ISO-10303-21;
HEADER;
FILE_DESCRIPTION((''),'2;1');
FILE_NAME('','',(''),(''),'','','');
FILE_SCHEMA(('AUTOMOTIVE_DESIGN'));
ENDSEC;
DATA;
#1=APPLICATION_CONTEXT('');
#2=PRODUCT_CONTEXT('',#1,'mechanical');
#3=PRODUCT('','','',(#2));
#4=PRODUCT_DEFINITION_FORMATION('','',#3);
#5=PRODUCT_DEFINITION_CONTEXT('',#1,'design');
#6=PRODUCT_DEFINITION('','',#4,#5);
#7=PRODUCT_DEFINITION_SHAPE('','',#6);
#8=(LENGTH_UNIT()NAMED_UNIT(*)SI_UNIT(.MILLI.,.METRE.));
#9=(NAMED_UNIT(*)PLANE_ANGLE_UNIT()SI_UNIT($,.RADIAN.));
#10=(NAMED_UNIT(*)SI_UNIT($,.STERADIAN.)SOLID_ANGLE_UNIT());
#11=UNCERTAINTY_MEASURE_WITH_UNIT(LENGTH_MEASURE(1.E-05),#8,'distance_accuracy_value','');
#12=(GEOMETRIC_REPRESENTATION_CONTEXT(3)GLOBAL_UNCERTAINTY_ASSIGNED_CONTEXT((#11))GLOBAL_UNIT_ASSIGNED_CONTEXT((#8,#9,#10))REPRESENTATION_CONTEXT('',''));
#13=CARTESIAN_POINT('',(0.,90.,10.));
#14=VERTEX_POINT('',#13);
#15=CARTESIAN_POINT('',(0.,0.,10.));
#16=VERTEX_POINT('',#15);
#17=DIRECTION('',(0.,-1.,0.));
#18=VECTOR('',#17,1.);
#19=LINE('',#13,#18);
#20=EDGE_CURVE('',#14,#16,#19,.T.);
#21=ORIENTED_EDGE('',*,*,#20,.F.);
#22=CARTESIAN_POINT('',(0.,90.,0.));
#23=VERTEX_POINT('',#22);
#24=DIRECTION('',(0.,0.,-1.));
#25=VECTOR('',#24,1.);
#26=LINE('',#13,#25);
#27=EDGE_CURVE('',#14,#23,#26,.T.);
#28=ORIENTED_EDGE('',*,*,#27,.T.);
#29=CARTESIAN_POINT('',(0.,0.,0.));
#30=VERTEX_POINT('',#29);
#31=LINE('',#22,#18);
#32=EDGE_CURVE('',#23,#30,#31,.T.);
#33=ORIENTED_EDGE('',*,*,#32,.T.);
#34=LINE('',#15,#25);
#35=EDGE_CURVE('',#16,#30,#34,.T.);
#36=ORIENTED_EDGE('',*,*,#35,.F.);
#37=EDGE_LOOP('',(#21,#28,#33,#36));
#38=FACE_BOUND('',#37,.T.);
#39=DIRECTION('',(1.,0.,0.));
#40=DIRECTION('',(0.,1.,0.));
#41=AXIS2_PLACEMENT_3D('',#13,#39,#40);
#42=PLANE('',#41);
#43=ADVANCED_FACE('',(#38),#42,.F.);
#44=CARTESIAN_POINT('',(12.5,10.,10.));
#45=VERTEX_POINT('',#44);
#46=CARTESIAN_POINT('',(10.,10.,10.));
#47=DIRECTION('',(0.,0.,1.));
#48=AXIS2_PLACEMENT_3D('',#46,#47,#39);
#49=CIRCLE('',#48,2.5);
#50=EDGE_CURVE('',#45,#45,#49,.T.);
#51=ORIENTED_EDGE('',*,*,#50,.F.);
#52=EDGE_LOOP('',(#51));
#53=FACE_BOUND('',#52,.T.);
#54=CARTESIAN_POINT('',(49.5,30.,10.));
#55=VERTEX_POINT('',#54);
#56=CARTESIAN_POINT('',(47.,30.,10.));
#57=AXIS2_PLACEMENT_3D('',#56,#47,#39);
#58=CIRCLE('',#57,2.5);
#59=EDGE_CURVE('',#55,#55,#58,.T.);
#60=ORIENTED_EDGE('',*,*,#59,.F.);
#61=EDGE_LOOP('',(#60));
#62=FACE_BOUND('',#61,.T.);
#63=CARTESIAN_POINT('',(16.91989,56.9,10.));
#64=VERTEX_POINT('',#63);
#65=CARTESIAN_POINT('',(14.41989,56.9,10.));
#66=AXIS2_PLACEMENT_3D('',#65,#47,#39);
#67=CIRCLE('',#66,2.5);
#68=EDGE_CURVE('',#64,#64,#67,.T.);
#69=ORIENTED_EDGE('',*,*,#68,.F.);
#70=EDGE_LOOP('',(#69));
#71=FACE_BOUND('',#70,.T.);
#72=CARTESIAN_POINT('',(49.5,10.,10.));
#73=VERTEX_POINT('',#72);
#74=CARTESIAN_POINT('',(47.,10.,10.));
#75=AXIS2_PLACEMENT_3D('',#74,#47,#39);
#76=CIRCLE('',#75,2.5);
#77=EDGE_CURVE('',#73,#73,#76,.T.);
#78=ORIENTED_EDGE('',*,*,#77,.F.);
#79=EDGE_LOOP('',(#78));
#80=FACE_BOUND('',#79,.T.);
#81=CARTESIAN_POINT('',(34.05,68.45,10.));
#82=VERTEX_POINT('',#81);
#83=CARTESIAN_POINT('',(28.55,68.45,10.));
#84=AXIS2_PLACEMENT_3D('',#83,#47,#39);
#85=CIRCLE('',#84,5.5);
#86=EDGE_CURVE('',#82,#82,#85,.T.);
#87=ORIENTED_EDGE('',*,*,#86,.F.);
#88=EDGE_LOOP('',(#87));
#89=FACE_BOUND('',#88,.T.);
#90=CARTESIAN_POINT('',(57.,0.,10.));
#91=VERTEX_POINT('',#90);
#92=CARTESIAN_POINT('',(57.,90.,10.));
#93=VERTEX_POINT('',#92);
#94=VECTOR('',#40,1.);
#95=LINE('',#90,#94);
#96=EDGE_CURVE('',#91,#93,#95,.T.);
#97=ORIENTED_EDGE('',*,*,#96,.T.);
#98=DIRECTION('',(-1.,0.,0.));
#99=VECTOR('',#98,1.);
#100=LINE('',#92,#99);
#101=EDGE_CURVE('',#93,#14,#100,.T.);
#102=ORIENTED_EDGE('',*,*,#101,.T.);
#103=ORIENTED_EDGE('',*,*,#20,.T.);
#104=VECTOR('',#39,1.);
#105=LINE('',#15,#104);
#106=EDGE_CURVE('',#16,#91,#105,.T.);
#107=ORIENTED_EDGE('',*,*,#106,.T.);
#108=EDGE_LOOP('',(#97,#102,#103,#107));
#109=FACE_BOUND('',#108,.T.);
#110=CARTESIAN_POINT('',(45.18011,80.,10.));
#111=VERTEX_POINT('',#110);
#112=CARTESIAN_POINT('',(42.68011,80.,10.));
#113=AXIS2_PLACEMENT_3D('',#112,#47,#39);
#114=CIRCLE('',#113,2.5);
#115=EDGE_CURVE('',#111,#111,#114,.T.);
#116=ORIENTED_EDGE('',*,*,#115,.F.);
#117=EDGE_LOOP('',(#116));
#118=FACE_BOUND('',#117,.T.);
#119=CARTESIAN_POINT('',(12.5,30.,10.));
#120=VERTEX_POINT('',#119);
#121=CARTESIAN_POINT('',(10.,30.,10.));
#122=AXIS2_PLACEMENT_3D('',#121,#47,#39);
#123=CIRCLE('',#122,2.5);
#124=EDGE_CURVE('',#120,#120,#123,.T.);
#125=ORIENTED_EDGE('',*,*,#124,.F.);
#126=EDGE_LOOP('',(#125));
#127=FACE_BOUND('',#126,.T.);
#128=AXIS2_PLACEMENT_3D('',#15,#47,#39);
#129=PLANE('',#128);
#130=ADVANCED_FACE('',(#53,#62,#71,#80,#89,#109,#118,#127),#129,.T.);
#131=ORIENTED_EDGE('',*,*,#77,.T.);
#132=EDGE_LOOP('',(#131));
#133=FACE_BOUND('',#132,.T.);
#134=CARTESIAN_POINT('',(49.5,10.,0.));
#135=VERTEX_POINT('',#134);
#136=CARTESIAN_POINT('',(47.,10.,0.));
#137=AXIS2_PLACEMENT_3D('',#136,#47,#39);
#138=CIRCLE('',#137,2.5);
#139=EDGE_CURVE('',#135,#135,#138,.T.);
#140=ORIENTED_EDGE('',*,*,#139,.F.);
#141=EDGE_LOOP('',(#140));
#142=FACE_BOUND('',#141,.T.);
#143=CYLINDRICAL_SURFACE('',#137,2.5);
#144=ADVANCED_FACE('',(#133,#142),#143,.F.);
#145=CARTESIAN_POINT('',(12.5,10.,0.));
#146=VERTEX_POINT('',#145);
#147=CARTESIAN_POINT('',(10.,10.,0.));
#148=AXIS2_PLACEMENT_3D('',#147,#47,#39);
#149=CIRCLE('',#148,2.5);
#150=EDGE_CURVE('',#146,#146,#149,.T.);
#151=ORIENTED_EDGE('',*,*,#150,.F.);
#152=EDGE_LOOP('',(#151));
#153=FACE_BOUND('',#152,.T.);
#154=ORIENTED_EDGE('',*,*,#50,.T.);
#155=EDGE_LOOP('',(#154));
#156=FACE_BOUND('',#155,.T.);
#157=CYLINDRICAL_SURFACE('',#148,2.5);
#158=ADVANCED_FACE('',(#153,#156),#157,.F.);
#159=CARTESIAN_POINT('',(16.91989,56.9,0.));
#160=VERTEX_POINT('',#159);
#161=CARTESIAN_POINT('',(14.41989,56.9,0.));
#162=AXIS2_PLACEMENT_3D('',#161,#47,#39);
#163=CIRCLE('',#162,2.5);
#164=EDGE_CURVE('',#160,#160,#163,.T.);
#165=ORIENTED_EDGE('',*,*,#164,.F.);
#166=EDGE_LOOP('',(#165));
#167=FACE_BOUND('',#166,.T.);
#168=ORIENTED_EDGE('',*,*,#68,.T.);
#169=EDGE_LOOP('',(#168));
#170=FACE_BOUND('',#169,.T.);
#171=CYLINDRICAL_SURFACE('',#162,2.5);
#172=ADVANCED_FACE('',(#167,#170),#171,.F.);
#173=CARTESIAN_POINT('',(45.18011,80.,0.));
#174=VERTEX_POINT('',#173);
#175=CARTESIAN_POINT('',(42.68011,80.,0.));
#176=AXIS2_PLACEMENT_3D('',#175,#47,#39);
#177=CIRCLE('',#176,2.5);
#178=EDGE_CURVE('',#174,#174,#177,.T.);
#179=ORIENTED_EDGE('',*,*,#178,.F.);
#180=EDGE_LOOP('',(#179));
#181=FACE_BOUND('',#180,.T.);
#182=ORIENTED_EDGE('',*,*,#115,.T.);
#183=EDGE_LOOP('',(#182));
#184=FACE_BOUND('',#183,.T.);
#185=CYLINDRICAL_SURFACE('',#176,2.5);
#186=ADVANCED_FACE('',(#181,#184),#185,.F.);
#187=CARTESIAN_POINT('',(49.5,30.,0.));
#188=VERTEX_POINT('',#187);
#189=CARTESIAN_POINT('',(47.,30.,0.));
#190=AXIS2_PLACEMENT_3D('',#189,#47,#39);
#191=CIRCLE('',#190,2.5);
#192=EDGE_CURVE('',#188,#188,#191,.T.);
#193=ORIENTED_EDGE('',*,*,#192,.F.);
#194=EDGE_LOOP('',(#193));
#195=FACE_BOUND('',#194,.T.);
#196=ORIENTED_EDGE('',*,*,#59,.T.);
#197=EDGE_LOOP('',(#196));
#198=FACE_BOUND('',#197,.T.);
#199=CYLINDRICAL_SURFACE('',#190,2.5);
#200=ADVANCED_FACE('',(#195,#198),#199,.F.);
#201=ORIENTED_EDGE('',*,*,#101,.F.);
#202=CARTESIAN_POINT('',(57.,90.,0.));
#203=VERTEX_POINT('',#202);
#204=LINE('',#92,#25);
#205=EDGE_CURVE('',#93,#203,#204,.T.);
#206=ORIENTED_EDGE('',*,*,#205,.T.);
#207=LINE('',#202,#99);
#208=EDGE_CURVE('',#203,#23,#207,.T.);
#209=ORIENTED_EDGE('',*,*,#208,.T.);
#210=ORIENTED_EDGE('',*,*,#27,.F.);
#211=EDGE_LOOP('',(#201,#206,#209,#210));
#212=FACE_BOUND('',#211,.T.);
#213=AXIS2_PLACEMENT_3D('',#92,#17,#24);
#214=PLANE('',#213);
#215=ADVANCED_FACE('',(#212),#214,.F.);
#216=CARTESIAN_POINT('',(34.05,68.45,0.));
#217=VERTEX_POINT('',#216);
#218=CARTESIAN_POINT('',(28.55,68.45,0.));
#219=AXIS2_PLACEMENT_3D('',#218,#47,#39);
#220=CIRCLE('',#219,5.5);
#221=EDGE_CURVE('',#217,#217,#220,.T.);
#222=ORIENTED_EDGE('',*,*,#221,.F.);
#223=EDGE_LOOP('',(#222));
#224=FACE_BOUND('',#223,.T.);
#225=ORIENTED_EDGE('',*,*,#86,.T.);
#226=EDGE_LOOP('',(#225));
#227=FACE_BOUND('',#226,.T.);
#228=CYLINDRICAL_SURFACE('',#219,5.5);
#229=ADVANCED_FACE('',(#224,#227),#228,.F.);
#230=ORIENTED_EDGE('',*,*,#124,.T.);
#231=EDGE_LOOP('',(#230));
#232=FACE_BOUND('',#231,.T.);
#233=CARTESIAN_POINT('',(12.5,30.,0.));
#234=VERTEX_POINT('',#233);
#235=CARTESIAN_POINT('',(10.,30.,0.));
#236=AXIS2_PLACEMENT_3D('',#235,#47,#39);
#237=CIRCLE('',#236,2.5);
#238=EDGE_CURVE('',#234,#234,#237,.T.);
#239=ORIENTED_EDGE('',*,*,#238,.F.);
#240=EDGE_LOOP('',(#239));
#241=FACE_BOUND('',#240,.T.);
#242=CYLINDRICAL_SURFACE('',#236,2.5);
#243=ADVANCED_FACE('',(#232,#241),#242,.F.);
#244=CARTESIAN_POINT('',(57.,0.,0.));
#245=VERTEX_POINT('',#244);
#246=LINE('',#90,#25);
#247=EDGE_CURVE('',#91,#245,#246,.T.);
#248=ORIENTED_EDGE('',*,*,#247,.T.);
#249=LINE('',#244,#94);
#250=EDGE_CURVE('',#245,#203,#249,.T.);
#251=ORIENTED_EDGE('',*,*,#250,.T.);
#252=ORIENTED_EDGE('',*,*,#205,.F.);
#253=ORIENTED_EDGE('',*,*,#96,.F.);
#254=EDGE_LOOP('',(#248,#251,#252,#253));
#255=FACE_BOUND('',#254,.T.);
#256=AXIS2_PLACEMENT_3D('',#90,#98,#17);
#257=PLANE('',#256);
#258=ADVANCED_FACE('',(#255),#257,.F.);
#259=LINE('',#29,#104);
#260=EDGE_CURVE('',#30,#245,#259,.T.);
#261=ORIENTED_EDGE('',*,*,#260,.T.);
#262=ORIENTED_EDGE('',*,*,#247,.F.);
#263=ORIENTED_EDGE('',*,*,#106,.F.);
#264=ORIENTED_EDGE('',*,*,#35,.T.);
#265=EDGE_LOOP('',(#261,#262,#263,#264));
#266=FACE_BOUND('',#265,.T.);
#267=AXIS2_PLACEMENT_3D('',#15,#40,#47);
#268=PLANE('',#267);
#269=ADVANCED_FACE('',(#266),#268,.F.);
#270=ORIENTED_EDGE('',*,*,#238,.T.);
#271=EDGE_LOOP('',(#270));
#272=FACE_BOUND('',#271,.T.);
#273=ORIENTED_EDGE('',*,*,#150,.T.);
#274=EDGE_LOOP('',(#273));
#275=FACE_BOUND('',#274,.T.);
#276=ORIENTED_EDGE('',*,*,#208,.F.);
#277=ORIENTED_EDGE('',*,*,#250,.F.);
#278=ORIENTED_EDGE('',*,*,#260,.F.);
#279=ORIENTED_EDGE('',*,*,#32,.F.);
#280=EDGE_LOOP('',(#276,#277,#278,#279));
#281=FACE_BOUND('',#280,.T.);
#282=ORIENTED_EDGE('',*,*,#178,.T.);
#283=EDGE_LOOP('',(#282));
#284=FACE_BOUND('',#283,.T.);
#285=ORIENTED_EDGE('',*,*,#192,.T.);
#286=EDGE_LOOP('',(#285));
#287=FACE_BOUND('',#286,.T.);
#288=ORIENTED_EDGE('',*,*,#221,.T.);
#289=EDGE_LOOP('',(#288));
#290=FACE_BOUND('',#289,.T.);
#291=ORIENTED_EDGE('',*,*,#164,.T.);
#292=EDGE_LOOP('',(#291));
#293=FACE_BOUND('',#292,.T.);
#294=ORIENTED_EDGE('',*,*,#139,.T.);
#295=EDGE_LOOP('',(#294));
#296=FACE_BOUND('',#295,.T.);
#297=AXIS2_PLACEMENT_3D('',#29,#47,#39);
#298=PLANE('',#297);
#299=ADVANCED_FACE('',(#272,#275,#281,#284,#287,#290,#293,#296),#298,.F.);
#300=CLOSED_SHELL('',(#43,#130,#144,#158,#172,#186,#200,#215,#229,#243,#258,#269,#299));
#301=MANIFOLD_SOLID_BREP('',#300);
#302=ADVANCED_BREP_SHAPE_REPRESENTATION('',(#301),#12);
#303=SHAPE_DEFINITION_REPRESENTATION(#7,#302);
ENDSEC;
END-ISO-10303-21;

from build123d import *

# Parameters (mm, degrees)
SKETCH1_W           = 57
SKETCH1_H           = 90
BOSS_EXTRUDE1_DEPTH = 10
SKETCH2_R           = 2.5
SKETCH2_R_2         = 5.5
CUT_EXTRUDE1_DEPTH  = 10


with BuildPart() as part:
    # Sketch1 → Boss-Extrude1 (new body)
    with BuildSketch(Plane.XY):
        with Locations((28.5, 45)):
            Rectangle(SKETCH1_W, SKETCH1_H)
    extrude(amount=BOSS_EXTRUDE1_DEPTH)

    # Sketch2 → Cut-Extrude1 (cut)
    with BuildSketch(Plane.XY.offset(10)):
        with Locations((47, 30)):
            Circle(SKETCH2_R)
        with Locations((47, 10)):
            Circle(SKETCH2_R)
        with Locations((10, 10)):
            Circle(SKETCH2_R)
        with Locations((10, 30)):
            Circle(SKETCH2_R)
        with Locations((28.55, 68.45)):
            Circle(SKETCH2_R_2)
        with Locations((14.419890305, 56.9)):
            Circle(SKETCH2_R)
        with Locations((42.680109695, 80)):
            Circle(SKETCH2_R)
    extrude(amount=-CUT_EXTRUDE1_DEPTH, mode=Mode.SUBTRACT)


solid = part.part
